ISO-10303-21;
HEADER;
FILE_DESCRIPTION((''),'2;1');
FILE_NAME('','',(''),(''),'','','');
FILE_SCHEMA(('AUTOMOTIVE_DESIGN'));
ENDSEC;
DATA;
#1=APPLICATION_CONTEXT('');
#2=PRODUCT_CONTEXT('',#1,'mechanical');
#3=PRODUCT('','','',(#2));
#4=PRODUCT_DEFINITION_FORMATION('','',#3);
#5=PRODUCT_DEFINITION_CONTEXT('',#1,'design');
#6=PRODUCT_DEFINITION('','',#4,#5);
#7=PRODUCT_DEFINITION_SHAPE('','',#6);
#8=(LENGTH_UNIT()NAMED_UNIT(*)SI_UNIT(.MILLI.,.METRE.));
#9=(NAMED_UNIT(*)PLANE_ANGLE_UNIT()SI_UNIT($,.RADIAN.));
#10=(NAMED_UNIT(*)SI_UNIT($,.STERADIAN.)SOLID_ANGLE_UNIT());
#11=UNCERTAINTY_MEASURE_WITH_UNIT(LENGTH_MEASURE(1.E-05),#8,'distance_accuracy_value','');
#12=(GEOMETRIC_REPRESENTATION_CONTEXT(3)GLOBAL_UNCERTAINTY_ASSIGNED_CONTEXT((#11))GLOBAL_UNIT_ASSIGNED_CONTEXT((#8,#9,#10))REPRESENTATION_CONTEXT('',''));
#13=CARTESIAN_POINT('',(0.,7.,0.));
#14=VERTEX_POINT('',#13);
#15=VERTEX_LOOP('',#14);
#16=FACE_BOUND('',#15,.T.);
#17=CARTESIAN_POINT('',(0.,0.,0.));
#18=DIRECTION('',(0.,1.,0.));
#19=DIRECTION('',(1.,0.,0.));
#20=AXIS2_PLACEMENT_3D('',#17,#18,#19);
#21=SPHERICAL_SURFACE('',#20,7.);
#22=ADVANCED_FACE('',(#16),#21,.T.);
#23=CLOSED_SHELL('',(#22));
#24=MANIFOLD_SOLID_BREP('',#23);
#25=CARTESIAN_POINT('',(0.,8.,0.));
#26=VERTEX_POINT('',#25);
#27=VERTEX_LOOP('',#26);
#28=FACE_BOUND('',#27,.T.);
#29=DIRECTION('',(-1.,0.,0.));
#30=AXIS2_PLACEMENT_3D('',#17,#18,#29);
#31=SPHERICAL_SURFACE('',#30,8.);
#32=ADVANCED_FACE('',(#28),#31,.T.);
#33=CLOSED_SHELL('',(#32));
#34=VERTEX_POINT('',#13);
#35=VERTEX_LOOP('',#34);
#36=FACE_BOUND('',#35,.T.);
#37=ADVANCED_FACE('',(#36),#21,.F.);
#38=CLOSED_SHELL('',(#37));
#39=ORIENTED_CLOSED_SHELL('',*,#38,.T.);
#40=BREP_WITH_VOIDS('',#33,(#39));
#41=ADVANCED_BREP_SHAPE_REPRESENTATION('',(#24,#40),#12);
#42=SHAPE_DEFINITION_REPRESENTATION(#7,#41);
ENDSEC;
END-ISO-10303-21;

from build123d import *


with BuildPart() as part:
    # Sketch1 → Core (revolve)
    with BuildSketch(Plane.XY):
        with BuildLine():
            ThreePointArc((0, -7), (7, 0), (0, 7))
            Line((0, 7), (0, -7))
        make_face()
    revolve(axis=Axis((0, 7, 0), (0, -1, 0)))


with BuildPart() as body_2:
    # Sketch1<3> → Coating (revolve)
    with BuildSketch(Plane.XY):
        with BuildLine():
            Line((0, 8), (0, 7))
            ThreePointArc((0, 7), (7, 0), (0, -7))
            Line((0, -7), (0, -8))
            ThreePointArc((0, -8), (8, 0), (0, 8))
        make_face()
    revolve(axis=Axis((0, 7, 0), (0, -1, 0)))


solid = Compound([part.part, body_2.part])
